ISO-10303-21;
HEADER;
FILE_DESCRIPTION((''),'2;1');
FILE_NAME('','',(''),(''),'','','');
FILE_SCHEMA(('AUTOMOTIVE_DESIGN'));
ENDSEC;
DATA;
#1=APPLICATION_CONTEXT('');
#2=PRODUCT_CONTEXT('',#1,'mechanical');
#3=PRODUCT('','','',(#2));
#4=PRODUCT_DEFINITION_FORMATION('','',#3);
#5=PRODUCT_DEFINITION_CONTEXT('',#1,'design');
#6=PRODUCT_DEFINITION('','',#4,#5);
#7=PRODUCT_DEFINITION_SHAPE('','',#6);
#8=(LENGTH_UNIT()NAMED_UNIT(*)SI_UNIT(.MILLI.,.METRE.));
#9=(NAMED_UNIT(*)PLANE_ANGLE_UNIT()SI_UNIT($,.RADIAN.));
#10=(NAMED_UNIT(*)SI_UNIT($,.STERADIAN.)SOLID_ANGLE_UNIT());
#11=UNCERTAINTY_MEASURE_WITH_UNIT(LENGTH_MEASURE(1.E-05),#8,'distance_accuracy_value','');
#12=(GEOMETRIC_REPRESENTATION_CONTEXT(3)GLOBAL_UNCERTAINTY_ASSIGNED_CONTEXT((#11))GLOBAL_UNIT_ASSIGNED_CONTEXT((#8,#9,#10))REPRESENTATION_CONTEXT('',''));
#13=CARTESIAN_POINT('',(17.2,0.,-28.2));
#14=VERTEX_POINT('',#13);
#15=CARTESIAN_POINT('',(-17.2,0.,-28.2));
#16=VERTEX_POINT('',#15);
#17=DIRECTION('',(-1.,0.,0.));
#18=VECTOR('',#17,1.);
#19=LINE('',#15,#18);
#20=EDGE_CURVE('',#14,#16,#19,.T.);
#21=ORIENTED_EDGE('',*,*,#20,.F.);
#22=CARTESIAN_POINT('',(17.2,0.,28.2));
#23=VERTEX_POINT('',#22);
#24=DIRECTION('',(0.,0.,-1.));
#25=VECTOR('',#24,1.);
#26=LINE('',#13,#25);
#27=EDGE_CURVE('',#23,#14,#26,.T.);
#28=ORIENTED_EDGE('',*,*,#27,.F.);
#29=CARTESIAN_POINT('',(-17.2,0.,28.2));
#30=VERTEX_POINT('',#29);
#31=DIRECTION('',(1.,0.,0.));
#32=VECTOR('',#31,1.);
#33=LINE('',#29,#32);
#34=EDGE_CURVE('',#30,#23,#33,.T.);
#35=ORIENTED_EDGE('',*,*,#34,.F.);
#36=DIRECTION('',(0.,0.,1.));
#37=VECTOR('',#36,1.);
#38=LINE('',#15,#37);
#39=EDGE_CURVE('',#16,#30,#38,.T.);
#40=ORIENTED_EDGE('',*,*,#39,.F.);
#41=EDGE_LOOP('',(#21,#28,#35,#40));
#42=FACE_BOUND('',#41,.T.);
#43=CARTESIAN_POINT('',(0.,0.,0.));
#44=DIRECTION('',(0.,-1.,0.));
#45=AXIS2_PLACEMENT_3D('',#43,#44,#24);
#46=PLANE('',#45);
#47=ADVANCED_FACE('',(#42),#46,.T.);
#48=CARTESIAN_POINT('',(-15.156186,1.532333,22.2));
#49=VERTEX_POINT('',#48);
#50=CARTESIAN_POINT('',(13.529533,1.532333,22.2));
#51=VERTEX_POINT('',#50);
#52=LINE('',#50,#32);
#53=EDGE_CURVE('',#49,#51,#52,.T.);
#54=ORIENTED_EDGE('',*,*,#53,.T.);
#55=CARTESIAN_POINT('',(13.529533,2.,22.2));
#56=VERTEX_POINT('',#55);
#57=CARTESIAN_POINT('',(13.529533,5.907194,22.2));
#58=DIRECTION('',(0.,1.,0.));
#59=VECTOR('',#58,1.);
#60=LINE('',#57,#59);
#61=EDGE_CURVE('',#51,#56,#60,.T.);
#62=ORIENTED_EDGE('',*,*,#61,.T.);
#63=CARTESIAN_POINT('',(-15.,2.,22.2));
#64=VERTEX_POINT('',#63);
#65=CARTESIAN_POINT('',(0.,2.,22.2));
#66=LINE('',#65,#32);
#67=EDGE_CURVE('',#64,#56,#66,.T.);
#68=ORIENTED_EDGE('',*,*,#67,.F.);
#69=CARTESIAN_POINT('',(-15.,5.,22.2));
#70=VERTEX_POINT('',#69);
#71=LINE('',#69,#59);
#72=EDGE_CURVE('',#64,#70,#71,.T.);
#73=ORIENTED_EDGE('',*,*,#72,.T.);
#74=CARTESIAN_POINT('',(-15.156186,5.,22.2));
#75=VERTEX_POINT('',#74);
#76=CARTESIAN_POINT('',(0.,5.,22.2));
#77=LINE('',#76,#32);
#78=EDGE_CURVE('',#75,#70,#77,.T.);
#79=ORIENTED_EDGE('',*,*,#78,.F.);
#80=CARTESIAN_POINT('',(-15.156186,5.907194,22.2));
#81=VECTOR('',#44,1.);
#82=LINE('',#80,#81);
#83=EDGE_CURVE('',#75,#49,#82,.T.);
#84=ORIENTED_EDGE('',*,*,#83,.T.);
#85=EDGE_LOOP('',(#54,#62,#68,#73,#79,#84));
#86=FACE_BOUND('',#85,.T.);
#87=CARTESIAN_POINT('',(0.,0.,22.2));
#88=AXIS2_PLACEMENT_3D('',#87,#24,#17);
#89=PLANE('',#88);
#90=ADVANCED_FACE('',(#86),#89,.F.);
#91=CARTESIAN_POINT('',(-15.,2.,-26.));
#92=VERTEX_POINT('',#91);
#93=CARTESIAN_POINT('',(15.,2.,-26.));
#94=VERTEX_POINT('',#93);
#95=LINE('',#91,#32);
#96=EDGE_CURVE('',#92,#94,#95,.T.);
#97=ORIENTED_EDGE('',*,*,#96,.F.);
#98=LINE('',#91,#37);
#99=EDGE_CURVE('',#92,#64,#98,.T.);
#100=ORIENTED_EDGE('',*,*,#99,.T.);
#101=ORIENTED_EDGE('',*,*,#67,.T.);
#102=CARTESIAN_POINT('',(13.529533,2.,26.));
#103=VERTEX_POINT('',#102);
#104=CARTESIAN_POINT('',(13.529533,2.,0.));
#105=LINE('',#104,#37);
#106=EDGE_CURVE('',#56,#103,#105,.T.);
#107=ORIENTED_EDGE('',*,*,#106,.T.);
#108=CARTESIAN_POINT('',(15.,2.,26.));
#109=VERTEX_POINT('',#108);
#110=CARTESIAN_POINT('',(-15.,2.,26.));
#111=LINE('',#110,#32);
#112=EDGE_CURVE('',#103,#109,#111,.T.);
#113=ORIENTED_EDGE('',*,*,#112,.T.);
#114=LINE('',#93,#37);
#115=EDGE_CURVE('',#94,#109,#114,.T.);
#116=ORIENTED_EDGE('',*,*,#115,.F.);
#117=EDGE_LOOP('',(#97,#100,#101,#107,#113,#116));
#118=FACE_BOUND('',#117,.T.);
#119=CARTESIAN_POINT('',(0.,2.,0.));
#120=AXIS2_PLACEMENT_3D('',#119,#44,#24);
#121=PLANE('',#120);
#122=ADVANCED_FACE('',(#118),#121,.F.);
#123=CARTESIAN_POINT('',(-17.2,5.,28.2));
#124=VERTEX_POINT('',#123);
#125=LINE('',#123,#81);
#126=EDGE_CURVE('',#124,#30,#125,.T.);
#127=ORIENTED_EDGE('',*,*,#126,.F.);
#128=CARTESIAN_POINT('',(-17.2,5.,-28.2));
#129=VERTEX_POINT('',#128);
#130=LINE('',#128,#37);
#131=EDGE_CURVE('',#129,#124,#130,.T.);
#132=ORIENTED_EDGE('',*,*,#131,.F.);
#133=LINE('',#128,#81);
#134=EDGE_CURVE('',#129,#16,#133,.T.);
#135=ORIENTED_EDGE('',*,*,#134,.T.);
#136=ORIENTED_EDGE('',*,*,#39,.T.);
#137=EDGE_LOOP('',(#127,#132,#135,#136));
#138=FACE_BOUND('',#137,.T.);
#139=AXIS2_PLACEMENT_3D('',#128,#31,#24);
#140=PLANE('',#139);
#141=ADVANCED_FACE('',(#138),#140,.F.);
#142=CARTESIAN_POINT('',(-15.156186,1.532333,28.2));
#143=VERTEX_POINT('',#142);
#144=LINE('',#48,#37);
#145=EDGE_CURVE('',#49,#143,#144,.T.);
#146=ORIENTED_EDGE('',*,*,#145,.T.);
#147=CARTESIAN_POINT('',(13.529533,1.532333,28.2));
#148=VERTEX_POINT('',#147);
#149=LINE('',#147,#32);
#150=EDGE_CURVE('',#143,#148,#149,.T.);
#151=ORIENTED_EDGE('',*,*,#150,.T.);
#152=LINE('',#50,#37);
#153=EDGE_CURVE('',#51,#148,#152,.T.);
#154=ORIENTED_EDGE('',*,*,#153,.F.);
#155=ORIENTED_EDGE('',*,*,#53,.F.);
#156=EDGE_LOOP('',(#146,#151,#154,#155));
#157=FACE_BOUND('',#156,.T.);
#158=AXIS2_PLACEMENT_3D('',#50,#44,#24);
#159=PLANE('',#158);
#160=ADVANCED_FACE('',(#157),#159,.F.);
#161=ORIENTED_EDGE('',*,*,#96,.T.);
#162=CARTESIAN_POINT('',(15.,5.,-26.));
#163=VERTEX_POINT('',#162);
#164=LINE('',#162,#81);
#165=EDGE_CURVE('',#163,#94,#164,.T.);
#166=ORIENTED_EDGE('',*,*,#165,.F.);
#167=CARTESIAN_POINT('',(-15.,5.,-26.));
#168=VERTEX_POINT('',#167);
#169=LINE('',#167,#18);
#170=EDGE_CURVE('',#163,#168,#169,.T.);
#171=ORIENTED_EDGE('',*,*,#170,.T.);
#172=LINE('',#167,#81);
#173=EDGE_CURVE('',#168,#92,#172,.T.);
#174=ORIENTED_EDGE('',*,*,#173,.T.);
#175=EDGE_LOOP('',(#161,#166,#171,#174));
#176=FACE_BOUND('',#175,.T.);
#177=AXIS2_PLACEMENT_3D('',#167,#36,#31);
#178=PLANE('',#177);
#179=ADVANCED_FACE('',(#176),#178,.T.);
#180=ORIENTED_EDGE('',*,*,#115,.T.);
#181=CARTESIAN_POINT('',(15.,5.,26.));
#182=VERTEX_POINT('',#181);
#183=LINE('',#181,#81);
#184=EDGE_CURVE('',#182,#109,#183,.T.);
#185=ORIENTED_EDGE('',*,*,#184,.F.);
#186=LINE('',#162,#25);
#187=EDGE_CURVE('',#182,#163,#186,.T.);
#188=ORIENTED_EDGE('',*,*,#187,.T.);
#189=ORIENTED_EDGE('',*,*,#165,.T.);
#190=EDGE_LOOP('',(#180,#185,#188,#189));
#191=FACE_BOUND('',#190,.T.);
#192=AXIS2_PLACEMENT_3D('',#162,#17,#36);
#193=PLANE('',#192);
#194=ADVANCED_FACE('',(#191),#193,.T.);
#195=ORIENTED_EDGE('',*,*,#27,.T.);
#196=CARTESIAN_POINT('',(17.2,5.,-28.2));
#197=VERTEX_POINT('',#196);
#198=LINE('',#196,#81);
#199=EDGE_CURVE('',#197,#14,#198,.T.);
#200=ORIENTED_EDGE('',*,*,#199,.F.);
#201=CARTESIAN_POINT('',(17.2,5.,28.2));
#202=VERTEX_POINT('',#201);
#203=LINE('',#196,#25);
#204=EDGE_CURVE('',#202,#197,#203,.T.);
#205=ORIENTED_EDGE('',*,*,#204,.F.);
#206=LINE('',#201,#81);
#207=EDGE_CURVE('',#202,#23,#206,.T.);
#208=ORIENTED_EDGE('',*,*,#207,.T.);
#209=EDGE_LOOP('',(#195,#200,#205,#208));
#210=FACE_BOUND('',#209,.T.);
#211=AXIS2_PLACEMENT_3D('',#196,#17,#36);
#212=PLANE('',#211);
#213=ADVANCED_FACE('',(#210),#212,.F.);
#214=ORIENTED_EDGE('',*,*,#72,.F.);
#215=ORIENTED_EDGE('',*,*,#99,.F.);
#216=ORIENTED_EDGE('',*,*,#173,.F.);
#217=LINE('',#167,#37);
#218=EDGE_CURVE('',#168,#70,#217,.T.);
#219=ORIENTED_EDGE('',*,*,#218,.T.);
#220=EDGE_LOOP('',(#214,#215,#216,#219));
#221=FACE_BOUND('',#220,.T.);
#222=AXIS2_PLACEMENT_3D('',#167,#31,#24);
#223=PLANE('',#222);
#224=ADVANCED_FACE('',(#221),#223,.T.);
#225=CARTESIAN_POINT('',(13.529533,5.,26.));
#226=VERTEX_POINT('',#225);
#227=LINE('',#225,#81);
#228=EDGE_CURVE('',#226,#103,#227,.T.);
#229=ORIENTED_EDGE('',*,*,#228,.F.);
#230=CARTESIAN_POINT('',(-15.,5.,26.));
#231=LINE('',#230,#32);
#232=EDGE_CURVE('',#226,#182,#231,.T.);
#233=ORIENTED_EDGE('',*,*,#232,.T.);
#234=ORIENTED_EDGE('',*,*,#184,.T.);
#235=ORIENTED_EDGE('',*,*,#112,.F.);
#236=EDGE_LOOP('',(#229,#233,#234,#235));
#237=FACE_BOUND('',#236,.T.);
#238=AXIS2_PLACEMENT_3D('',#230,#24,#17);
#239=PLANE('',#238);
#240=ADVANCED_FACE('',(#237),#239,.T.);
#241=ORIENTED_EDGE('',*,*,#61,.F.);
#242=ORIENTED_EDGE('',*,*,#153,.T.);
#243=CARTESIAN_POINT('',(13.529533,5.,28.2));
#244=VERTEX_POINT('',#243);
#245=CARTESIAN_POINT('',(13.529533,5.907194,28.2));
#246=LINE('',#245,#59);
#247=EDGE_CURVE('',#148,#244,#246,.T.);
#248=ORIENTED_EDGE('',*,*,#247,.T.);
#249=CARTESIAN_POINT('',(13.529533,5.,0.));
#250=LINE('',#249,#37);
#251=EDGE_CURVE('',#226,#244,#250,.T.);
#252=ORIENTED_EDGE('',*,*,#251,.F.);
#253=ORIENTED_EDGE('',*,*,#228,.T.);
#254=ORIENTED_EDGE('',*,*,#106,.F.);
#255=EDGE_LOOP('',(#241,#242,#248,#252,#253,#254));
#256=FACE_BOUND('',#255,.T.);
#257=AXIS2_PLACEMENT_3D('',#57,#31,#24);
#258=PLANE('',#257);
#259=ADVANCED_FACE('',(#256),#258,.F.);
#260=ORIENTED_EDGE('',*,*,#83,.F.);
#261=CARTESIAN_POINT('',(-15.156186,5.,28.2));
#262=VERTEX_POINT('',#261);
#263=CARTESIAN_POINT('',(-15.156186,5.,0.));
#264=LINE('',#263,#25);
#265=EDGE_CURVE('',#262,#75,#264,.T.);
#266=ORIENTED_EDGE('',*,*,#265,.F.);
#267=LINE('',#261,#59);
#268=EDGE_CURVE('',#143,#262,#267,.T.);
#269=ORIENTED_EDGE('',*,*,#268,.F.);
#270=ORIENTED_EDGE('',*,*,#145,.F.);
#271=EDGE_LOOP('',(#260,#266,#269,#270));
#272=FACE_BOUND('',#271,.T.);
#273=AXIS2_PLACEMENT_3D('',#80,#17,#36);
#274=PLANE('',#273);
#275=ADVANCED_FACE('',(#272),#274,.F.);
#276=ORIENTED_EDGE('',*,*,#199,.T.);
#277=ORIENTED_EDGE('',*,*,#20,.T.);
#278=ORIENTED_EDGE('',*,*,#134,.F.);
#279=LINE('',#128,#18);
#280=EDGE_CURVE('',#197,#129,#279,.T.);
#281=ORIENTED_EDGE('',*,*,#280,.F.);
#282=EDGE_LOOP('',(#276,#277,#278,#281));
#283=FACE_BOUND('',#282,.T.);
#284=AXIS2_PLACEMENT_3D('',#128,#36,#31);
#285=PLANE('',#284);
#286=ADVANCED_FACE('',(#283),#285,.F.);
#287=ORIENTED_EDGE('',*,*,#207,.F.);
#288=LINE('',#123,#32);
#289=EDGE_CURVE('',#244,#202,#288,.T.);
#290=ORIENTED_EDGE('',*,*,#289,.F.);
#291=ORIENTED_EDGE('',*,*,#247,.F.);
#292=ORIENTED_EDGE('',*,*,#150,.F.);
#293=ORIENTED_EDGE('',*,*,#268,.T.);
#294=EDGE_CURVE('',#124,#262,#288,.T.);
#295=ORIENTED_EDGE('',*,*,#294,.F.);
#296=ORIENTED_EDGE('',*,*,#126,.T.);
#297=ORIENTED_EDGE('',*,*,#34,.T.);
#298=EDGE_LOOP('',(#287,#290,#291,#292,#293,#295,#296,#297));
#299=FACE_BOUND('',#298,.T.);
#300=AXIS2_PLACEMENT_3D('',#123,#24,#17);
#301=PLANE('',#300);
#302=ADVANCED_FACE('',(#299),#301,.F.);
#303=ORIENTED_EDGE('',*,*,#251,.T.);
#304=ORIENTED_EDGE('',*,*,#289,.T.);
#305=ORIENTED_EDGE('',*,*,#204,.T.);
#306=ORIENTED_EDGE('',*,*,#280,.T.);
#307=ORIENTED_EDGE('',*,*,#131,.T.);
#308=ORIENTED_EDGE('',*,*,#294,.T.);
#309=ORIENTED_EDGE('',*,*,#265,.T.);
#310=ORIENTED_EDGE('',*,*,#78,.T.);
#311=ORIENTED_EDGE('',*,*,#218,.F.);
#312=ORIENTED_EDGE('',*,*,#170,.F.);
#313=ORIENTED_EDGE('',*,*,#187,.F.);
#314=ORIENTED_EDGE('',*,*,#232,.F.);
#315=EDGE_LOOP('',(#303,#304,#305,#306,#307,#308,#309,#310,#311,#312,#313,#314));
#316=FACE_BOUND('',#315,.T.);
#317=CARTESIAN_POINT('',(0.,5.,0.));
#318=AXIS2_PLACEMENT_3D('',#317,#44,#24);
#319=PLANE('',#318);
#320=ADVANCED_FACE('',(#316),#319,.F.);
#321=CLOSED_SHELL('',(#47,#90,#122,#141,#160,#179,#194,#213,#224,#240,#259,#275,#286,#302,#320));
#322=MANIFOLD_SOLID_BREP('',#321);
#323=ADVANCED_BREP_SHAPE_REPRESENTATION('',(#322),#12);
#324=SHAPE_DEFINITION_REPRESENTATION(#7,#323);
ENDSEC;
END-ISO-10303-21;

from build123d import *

# Parameters (mm, degrees)
SKETCH2_W           = 30
SKETCH2_H           = 52
BOSS_EXTRUDE1_DEPTH = 2
SKETCH2_3_W         = 34.4
SKETCH2_3_H         = 56.4
SKETCH2_3_W_2       = 30
SKETCH2_3_H_2       = 52
BOSS_EXTRUDE2_DEPTH = 5
SKETCH3_W           = 28.685719202
SKETCH3_H           = 4.374860236
CUT_EXTRUDE1_DEPTH  = 6


with BuildPart() as part:
    # Sketch2 → Boss-Extrude1 (new body)
    with BuildSketch(Plane(origin=(0, 0, 0), x_dir=(1, 0, 0), z_dir=(0, 1, 0))):
        Rectangle(SKETCH2_W, SKETCH2_H)
    extrude(amount=BOSS_EXTRUDE1_DEPTH)

    # Sketch2<3> → Boss-Extrude2 (add)
    with BuildSketch(Plane(origin=(0, 0, 0), x_dir=(1, 0, 0), z_dir=(0, 1, 0))):
        Rectangle(SKETCH2_3_W, SKETCH2_3_H)
        Rectangle(SKETCH2_3_W_2, SKETCH2_3_H_2, mode=Mode.SUBTRACT)
    extrude(amount=BOSS_EXTRUDE2_DEPTH)

    # Sketch3 → Cut-Extrude1 (cut)
    with BuildSketch(Plane.XY.offset(28.2)):
        with Locations((-0.813326627, 3.719763482)):
            Rectangle(SKETCH3_W, SKETCH3_H)
    extrude(amount=-CUT_EXTRUDE1_DEPTH, mode=Mode.SUBTRACT)


solid = part.part
